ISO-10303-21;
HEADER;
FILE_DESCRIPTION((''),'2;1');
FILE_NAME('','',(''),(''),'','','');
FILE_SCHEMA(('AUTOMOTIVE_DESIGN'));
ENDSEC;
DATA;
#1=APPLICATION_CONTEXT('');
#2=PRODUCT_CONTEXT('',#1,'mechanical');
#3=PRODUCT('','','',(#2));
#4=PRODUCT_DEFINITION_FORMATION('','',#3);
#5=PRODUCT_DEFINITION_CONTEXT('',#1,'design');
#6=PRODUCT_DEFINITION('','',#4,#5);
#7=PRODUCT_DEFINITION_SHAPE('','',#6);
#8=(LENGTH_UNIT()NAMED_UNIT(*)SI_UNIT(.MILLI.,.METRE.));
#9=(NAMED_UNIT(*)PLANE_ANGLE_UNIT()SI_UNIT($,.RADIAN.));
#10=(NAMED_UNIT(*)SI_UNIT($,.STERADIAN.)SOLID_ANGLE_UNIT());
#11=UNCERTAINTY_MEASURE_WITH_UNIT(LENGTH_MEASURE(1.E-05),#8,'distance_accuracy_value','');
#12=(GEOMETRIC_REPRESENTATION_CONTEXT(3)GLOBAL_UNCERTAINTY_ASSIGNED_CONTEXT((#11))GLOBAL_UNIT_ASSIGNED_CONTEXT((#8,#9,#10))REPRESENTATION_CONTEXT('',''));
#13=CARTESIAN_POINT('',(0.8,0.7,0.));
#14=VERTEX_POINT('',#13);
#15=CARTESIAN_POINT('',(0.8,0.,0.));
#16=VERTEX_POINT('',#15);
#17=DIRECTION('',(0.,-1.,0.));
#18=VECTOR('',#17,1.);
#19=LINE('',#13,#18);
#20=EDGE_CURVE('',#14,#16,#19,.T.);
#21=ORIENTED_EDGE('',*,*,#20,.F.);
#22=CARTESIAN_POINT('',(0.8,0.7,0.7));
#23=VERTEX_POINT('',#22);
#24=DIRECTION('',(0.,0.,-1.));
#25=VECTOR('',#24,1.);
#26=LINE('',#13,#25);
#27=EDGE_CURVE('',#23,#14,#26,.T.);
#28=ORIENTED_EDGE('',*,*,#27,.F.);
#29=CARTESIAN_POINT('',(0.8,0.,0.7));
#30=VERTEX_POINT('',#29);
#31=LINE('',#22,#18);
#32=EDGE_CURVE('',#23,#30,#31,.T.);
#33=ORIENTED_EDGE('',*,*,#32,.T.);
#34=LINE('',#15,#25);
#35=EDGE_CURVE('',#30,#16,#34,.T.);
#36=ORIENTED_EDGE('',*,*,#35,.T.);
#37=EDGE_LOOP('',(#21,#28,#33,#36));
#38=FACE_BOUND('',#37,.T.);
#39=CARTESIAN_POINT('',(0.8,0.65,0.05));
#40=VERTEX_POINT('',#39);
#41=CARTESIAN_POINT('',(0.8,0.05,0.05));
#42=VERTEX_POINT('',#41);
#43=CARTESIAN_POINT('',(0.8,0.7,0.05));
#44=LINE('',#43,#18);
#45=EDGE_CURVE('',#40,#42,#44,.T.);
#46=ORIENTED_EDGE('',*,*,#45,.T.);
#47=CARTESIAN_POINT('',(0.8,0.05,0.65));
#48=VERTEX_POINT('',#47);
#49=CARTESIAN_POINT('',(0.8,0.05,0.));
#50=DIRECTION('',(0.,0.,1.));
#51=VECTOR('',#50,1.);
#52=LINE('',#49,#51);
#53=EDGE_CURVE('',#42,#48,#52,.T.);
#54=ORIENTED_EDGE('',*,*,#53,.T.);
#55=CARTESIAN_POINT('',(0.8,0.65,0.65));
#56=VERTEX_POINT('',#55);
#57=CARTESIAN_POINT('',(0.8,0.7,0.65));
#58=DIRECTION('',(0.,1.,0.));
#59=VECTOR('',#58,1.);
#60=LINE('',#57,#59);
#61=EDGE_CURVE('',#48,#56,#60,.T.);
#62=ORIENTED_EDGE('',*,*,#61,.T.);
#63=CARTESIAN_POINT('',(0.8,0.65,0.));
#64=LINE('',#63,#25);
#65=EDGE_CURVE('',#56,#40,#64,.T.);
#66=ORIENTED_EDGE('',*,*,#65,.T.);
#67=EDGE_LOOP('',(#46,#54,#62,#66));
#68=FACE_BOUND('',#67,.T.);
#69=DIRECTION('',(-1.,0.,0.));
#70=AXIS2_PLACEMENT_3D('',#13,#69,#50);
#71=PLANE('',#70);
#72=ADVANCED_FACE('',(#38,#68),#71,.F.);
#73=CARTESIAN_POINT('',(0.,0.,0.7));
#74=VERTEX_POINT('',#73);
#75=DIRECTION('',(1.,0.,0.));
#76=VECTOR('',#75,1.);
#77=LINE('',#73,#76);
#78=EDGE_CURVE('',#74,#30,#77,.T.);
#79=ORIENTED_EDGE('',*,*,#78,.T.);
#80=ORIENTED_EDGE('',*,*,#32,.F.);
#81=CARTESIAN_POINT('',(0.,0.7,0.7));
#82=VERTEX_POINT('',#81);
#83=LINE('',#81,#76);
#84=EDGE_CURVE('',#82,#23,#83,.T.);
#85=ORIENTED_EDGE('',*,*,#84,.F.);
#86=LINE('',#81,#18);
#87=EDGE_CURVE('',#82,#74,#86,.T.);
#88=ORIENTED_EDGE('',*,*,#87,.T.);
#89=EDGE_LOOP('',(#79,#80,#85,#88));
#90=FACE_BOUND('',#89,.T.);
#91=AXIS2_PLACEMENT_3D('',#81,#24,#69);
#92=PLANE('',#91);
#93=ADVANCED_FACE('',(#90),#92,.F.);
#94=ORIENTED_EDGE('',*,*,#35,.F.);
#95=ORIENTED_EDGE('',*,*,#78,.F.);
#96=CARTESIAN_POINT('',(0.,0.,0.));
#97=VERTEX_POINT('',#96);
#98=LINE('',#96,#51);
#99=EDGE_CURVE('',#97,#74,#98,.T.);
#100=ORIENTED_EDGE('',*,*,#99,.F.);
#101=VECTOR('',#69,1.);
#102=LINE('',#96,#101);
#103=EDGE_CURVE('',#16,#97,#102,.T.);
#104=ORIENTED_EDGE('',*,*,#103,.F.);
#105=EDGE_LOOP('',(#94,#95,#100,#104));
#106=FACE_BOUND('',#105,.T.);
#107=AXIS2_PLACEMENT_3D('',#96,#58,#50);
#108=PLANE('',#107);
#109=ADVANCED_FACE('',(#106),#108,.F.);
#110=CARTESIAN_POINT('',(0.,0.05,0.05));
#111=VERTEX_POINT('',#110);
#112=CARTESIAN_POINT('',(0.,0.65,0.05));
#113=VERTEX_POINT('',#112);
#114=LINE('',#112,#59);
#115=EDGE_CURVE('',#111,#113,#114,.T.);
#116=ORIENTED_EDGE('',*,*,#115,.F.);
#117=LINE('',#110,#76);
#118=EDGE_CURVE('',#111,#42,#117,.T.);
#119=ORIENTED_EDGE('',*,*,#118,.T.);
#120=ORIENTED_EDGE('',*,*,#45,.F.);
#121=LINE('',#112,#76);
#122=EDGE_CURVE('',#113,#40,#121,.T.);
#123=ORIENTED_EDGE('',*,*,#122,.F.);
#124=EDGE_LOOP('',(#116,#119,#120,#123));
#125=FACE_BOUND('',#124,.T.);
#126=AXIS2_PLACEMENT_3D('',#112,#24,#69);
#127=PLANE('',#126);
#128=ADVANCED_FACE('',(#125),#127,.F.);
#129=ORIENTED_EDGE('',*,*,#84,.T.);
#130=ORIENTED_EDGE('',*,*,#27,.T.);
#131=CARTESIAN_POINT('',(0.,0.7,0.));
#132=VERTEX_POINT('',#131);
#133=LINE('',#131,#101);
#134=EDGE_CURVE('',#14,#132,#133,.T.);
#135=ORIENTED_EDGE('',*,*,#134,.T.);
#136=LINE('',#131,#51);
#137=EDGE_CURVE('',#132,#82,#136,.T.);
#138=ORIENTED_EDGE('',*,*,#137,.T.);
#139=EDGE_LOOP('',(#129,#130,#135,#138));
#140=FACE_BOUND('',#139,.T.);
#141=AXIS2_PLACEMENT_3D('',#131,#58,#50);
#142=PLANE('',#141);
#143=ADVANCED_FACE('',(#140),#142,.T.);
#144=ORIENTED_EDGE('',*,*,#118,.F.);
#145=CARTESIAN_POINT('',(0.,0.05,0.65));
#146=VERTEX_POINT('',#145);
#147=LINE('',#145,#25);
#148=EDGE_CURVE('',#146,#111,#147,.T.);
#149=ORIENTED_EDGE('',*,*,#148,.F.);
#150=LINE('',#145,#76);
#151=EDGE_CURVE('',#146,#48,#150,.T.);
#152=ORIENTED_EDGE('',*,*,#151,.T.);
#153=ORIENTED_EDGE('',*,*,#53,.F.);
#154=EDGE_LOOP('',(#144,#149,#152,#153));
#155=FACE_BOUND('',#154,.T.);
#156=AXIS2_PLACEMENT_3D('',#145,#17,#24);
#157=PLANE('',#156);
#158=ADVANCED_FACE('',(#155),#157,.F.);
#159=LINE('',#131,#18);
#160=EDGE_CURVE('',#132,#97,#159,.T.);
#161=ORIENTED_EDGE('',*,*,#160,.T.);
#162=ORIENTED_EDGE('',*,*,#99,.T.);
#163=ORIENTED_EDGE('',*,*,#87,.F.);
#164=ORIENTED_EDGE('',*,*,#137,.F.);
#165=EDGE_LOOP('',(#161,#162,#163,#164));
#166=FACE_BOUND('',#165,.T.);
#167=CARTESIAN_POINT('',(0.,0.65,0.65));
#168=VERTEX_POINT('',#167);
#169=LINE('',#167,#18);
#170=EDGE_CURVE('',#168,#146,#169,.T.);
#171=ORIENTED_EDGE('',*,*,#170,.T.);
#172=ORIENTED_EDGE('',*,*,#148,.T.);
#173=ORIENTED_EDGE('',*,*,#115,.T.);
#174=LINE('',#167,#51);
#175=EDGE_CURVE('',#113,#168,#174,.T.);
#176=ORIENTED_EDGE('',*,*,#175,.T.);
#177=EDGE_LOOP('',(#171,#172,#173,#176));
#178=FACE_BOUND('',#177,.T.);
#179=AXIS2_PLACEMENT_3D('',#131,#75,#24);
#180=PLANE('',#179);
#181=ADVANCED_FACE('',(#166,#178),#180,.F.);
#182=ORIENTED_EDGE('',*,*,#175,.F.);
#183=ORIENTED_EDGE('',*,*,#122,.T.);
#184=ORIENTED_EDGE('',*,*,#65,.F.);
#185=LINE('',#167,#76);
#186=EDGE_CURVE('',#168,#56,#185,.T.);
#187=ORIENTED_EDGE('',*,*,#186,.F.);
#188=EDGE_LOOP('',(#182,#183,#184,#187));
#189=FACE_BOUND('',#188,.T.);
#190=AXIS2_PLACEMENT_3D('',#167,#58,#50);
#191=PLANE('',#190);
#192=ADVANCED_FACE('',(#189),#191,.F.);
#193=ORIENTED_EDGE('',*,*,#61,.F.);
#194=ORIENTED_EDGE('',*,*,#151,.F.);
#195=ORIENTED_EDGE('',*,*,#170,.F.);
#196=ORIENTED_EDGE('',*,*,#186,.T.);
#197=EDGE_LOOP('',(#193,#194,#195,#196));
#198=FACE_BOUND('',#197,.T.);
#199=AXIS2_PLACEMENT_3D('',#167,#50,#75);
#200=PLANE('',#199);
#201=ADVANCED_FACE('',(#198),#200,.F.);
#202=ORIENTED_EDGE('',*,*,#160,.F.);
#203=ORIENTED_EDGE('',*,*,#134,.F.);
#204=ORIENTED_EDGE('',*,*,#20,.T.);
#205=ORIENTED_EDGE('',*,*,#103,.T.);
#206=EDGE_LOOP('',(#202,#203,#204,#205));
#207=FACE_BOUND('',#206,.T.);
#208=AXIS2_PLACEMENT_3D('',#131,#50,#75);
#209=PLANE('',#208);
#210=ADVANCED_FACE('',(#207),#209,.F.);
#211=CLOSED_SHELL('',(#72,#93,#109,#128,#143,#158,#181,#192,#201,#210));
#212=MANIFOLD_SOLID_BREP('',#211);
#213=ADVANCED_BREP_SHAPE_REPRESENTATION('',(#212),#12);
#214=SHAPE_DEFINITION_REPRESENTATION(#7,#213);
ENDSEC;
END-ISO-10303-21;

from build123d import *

# Parameters (mm, degrees)
SKETCH1_W               = 0.8
SKETCH1_H               = 0.7
BOSS_EXTRUDE1_DEPTH     = 0.7
SKETCH2_W               = 0.6
SKETCH2_H               = 0.6
CUT_EXTRUDE1_DEPTH      = 1
CUT_EXTRUDE1_DEPTH_BACK = 1.8


with BuildPart() as part:
    # Sketch1 → Boss-Extrude1 (new body)
    with BuildSketch(Plane(origin=(0, 0, 0), x_dir=(1, 0, 0), z_dir=(0, 1, 0))):
        with Locations((0.4, -0.35)):
            Rectangle(SKETCH1_W, SKETCH1_H)
    extrude(amount=BOSS_EXTRUDE1_DEPTH)

    # Sketch2 → Cut-Extrude1 (cut, two sides)
    with BuildSketch(Plane(origin=(0.8, 0, 0), x_dir=(0, 0, -1), z_dir=(1, 0, 0))) as cut_extrude1_sk:
        with Locations((-0.35, 0.35)):
            Rectangle(SKETCH2_W, SKETCH2_H)
    extrude(amount=CUT_EXTRUDE1_DEPTH, mode=Mode.SUBTRACT)
    extrude(cut_extrude1_sk.sketch, amount=-CUT_EXTRUDE1_DEPTH_BACK, mode=Mode.SUBTRACT)


solid = part.part
